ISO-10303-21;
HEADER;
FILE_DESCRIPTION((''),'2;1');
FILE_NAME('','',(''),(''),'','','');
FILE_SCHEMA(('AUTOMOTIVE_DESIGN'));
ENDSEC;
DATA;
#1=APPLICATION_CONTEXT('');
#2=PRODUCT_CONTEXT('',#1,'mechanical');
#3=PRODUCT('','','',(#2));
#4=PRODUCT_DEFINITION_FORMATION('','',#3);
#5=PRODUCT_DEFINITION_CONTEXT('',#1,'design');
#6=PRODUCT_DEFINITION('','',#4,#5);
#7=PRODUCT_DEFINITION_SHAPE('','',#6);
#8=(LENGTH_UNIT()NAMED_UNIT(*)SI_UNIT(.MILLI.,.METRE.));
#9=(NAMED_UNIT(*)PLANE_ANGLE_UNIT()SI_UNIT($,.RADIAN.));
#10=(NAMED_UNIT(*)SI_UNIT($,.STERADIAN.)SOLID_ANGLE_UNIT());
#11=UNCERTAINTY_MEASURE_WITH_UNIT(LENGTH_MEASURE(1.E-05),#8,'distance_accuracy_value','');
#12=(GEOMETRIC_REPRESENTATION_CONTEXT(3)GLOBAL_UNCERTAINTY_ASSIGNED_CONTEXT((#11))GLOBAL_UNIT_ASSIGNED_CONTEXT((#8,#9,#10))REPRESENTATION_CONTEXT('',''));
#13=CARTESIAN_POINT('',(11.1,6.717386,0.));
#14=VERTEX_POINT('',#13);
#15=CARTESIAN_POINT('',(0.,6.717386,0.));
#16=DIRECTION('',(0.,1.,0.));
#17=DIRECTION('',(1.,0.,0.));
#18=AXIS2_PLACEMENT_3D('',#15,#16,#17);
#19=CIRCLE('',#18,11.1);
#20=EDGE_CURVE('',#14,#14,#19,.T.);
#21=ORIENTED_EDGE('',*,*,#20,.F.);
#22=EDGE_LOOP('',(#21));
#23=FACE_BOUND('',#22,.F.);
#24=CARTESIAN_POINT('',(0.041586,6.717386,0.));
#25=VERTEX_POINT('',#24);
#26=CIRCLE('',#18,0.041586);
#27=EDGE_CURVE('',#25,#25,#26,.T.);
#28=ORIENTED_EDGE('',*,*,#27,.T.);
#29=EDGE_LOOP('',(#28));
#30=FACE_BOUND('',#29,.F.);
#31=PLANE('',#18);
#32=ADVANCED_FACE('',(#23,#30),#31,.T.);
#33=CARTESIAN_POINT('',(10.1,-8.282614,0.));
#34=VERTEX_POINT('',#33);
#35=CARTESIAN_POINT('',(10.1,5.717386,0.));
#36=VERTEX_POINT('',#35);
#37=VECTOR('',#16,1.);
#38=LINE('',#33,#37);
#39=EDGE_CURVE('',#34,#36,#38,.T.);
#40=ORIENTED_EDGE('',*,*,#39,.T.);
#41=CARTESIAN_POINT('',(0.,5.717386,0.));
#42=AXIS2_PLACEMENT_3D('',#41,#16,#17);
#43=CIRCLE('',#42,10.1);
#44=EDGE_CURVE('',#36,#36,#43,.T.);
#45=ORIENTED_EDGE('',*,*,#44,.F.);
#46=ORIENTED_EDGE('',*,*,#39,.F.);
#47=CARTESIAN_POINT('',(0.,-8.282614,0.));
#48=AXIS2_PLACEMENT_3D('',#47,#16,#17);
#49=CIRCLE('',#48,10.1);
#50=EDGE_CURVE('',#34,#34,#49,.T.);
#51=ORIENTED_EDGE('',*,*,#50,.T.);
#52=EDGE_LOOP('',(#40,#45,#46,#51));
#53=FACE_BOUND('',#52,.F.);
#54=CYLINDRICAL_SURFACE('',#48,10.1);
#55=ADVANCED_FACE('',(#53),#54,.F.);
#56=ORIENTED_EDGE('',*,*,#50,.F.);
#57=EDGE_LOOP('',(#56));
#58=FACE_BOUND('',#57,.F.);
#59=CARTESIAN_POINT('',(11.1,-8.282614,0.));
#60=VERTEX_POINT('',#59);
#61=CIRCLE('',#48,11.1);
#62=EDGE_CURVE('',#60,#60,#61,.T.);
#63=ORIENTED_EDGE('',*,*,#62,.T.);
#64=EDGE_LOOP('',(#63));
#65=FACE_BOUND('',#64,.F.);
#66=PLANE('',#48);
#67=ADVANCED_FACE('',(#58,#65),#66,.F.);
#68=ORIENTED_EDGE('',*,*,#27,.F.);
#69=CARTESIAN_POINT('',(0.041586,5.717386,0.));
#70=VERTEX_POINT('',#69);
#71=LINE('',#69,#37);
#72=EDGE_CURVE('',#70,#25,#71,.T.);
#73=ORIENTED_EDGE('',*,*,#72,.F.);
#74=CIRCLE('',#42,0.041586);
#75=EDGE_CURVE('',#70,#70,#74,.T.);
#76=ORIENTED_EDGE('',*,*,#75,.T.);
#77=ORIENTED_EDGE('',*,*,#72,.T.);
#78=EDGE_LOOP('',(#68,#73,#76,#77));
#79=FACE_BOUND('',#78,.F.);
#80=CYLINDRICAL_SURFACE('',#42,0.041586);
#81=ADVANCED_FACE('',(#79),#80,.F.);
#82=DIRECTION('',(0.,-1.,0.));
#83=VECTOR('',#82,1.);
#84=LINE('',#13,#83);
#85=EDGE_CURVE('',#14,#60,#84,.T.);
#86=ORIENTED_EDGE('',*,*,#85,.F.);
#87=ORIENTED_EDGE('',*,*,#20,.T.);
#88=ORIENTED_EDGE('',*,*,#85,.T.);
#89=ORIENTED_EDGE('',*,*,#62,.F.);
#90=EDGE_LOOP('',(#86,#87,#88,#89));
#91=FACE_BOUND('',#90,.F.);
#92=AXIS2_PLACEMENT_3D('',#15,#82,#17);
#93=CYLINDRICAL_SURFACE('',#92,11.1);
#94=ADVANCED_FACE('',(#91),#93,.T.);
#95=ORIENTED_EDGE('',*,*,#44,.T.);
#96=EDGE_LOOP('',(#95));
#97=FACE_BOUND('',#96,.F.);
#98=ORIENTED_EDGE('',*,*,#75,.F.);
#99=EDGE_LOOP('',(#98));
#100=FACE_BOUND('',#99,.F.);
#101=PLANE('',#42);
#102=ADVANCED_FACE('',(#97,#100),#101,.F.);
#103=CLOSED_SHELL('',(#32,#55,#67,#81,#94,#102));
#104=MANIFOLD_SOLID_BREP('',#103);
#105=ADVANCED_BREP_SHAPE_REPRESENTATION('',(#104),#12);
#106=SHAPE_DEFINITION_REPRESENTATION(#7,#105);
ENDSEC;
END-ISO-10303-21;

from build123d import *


with BuildPart() as part:
    # Sketch → Revolution (revolve)
    with BuildSketch(Plane.XY):
        Polygon((10.1, -8.282614), (10.1, 5.717386), (0.041586, 5.717386), (0.041586, 6.717386), (11.1, 6.717386), (11.1, -8.282614), align=None)
    revolve(axis=Axis((0, 0, 0), (0, 1, 0)))


solid = part.part
